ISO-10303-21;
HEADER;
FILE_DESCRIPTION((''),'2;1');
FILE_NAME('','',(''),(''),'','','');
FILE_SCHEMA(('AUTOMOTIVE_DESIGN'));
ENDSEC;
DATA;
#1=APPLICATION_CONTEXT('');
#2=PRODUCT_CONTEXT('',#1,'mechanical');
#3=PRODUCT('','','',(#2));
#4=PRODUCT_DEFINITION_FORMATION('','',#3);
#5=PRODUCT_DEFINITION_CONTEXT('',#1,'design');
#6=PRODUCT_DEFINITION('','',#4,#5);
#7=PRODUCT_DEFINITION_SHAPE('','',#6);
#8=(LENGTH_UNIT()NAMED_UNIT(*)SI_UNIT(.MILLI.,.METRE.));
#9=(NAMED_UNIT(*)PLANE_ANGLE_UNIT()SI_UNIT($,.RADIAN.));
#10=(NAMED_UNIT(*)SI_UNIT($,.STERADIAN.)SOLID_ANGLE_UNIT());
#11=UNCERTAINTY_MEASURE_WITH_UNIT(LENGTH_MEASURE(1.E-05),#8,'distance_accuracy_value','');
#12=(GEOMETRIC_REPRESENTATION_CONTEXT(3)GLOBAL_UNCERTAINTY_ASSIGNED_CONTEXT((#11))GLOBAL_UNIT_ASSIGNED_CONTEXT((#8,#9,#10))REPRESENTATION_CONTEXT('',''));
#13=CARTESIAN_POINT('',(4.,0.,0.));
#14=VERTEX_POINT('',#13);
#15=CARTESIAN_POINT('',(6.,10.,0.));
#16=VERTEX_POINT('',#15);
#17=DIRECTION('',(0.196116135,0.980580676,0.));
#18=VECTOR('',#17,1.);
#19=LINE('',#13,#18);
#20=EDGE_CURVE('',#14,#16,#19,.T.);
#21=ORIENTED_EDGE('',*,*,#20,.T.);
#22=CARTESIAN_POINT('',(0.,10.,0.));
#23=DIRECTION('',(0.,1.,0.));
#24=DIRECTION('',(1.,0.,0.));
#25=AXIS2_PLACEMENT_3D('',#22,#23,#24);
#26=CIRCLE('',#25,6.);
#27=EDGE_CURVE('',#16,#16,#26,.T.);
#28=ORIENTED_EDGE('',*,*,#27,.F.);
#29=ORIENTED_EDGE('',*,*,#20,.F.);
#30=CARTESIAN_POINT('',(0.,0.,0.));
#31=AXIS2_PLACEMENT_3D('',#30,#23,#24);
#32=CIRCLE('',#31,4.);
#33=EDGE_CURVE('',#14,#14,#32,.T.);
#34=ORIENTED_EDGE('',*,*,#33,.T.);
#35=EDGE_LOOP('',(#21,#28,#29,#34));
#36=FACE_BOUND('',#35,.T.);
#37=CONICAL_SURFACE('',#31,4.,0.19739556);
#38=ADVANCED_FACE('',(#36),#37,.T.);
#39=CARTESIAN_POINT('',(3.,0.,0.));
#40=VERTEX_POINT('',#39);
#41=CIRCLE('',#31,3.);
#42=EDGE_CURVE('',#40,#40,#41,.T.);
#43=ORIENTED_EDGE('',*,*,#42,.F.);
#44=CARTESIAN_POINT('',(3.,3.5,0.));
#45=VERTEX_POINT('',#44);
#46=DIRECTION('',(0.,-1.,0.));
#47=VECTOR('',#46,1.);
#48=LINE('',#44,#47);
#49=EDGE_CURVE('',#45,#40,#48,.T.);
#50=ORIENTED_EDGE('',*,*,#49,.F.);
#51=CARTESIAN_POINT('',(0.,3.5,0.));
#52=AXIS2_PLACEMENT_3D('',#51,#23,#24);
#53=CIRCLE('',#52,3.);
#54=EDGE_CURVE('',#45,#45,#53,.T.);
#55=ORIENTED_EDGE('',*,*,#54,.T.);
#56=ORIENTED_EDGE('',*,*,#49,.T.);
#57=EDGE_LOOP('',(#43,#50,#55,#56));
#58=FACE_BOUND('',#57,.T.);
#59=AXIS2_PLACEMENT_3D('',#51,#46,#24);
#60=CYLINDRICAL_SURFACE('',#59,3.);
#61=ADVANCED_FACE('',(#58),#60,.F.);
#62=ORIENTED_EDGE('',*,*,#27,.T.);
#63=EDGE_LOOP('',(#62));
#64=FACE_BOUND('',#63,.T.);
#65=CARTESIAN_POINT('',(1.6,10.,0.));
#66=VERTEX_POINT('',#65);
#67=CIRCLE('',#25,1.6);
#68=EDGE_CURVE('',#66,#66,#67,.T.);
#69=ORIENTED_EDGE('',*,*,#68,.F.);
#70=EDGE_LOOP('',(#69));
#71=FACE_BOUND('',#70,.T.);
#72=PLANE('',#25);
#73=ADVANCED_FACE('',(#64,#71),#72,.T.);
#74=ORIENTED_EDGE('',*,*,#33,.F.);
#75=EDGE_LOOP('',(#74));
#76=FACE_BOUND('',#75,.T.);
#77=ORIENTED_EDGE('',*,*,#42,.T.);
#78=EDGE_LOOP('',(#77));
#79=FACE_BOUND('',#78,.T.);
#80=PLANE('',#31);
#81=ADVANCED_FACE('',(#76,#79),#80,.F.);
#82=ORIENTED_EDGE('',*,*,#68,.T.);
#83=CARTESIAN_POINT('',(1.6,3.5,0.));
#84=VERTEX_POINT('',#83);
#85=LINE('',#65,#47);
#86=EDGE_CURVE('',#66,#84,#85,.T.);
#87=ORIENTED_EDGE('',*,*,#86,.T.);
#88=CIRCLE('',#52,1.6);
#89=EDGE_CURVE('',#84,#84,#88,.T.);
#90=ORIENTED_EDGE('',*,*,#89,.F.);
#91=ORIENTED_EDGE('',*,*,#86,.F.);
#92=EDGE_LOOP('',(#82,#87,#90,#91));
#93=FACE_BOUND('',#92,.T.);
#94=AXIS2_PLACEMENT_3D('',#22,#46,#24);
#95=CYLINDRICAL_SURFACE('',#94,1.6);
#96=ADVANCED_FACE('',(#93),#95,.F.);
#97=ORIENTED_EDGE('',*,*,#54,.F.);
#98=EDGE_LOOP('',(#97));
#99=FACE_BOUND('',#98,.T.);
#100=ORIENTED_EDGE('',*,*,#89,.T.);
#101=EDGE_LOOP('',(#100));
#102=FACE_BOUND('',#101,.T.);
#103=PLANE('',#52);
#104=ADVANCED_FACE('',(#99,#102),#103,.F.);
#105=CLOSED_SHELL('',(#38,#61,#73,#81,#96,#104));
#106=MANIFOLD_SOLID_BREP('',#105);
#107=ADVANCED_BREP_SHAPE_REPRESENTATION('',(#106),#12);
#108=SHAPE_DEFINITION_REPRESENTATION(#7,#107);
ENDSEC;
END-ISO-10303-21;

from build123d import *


with BuildPart() as part:
    # Sketch → Revolution (revolve)
    with BuildSketch(Plane.XY):
        Polygon((1.6, 10), (1.6, 3.5), (3, 3.5), (3, 0), (4, 0), (6, 10), align=None)
    revolve(axis=Axis((0, 0, 0), (0, 1, 0)))


solid = part.part
